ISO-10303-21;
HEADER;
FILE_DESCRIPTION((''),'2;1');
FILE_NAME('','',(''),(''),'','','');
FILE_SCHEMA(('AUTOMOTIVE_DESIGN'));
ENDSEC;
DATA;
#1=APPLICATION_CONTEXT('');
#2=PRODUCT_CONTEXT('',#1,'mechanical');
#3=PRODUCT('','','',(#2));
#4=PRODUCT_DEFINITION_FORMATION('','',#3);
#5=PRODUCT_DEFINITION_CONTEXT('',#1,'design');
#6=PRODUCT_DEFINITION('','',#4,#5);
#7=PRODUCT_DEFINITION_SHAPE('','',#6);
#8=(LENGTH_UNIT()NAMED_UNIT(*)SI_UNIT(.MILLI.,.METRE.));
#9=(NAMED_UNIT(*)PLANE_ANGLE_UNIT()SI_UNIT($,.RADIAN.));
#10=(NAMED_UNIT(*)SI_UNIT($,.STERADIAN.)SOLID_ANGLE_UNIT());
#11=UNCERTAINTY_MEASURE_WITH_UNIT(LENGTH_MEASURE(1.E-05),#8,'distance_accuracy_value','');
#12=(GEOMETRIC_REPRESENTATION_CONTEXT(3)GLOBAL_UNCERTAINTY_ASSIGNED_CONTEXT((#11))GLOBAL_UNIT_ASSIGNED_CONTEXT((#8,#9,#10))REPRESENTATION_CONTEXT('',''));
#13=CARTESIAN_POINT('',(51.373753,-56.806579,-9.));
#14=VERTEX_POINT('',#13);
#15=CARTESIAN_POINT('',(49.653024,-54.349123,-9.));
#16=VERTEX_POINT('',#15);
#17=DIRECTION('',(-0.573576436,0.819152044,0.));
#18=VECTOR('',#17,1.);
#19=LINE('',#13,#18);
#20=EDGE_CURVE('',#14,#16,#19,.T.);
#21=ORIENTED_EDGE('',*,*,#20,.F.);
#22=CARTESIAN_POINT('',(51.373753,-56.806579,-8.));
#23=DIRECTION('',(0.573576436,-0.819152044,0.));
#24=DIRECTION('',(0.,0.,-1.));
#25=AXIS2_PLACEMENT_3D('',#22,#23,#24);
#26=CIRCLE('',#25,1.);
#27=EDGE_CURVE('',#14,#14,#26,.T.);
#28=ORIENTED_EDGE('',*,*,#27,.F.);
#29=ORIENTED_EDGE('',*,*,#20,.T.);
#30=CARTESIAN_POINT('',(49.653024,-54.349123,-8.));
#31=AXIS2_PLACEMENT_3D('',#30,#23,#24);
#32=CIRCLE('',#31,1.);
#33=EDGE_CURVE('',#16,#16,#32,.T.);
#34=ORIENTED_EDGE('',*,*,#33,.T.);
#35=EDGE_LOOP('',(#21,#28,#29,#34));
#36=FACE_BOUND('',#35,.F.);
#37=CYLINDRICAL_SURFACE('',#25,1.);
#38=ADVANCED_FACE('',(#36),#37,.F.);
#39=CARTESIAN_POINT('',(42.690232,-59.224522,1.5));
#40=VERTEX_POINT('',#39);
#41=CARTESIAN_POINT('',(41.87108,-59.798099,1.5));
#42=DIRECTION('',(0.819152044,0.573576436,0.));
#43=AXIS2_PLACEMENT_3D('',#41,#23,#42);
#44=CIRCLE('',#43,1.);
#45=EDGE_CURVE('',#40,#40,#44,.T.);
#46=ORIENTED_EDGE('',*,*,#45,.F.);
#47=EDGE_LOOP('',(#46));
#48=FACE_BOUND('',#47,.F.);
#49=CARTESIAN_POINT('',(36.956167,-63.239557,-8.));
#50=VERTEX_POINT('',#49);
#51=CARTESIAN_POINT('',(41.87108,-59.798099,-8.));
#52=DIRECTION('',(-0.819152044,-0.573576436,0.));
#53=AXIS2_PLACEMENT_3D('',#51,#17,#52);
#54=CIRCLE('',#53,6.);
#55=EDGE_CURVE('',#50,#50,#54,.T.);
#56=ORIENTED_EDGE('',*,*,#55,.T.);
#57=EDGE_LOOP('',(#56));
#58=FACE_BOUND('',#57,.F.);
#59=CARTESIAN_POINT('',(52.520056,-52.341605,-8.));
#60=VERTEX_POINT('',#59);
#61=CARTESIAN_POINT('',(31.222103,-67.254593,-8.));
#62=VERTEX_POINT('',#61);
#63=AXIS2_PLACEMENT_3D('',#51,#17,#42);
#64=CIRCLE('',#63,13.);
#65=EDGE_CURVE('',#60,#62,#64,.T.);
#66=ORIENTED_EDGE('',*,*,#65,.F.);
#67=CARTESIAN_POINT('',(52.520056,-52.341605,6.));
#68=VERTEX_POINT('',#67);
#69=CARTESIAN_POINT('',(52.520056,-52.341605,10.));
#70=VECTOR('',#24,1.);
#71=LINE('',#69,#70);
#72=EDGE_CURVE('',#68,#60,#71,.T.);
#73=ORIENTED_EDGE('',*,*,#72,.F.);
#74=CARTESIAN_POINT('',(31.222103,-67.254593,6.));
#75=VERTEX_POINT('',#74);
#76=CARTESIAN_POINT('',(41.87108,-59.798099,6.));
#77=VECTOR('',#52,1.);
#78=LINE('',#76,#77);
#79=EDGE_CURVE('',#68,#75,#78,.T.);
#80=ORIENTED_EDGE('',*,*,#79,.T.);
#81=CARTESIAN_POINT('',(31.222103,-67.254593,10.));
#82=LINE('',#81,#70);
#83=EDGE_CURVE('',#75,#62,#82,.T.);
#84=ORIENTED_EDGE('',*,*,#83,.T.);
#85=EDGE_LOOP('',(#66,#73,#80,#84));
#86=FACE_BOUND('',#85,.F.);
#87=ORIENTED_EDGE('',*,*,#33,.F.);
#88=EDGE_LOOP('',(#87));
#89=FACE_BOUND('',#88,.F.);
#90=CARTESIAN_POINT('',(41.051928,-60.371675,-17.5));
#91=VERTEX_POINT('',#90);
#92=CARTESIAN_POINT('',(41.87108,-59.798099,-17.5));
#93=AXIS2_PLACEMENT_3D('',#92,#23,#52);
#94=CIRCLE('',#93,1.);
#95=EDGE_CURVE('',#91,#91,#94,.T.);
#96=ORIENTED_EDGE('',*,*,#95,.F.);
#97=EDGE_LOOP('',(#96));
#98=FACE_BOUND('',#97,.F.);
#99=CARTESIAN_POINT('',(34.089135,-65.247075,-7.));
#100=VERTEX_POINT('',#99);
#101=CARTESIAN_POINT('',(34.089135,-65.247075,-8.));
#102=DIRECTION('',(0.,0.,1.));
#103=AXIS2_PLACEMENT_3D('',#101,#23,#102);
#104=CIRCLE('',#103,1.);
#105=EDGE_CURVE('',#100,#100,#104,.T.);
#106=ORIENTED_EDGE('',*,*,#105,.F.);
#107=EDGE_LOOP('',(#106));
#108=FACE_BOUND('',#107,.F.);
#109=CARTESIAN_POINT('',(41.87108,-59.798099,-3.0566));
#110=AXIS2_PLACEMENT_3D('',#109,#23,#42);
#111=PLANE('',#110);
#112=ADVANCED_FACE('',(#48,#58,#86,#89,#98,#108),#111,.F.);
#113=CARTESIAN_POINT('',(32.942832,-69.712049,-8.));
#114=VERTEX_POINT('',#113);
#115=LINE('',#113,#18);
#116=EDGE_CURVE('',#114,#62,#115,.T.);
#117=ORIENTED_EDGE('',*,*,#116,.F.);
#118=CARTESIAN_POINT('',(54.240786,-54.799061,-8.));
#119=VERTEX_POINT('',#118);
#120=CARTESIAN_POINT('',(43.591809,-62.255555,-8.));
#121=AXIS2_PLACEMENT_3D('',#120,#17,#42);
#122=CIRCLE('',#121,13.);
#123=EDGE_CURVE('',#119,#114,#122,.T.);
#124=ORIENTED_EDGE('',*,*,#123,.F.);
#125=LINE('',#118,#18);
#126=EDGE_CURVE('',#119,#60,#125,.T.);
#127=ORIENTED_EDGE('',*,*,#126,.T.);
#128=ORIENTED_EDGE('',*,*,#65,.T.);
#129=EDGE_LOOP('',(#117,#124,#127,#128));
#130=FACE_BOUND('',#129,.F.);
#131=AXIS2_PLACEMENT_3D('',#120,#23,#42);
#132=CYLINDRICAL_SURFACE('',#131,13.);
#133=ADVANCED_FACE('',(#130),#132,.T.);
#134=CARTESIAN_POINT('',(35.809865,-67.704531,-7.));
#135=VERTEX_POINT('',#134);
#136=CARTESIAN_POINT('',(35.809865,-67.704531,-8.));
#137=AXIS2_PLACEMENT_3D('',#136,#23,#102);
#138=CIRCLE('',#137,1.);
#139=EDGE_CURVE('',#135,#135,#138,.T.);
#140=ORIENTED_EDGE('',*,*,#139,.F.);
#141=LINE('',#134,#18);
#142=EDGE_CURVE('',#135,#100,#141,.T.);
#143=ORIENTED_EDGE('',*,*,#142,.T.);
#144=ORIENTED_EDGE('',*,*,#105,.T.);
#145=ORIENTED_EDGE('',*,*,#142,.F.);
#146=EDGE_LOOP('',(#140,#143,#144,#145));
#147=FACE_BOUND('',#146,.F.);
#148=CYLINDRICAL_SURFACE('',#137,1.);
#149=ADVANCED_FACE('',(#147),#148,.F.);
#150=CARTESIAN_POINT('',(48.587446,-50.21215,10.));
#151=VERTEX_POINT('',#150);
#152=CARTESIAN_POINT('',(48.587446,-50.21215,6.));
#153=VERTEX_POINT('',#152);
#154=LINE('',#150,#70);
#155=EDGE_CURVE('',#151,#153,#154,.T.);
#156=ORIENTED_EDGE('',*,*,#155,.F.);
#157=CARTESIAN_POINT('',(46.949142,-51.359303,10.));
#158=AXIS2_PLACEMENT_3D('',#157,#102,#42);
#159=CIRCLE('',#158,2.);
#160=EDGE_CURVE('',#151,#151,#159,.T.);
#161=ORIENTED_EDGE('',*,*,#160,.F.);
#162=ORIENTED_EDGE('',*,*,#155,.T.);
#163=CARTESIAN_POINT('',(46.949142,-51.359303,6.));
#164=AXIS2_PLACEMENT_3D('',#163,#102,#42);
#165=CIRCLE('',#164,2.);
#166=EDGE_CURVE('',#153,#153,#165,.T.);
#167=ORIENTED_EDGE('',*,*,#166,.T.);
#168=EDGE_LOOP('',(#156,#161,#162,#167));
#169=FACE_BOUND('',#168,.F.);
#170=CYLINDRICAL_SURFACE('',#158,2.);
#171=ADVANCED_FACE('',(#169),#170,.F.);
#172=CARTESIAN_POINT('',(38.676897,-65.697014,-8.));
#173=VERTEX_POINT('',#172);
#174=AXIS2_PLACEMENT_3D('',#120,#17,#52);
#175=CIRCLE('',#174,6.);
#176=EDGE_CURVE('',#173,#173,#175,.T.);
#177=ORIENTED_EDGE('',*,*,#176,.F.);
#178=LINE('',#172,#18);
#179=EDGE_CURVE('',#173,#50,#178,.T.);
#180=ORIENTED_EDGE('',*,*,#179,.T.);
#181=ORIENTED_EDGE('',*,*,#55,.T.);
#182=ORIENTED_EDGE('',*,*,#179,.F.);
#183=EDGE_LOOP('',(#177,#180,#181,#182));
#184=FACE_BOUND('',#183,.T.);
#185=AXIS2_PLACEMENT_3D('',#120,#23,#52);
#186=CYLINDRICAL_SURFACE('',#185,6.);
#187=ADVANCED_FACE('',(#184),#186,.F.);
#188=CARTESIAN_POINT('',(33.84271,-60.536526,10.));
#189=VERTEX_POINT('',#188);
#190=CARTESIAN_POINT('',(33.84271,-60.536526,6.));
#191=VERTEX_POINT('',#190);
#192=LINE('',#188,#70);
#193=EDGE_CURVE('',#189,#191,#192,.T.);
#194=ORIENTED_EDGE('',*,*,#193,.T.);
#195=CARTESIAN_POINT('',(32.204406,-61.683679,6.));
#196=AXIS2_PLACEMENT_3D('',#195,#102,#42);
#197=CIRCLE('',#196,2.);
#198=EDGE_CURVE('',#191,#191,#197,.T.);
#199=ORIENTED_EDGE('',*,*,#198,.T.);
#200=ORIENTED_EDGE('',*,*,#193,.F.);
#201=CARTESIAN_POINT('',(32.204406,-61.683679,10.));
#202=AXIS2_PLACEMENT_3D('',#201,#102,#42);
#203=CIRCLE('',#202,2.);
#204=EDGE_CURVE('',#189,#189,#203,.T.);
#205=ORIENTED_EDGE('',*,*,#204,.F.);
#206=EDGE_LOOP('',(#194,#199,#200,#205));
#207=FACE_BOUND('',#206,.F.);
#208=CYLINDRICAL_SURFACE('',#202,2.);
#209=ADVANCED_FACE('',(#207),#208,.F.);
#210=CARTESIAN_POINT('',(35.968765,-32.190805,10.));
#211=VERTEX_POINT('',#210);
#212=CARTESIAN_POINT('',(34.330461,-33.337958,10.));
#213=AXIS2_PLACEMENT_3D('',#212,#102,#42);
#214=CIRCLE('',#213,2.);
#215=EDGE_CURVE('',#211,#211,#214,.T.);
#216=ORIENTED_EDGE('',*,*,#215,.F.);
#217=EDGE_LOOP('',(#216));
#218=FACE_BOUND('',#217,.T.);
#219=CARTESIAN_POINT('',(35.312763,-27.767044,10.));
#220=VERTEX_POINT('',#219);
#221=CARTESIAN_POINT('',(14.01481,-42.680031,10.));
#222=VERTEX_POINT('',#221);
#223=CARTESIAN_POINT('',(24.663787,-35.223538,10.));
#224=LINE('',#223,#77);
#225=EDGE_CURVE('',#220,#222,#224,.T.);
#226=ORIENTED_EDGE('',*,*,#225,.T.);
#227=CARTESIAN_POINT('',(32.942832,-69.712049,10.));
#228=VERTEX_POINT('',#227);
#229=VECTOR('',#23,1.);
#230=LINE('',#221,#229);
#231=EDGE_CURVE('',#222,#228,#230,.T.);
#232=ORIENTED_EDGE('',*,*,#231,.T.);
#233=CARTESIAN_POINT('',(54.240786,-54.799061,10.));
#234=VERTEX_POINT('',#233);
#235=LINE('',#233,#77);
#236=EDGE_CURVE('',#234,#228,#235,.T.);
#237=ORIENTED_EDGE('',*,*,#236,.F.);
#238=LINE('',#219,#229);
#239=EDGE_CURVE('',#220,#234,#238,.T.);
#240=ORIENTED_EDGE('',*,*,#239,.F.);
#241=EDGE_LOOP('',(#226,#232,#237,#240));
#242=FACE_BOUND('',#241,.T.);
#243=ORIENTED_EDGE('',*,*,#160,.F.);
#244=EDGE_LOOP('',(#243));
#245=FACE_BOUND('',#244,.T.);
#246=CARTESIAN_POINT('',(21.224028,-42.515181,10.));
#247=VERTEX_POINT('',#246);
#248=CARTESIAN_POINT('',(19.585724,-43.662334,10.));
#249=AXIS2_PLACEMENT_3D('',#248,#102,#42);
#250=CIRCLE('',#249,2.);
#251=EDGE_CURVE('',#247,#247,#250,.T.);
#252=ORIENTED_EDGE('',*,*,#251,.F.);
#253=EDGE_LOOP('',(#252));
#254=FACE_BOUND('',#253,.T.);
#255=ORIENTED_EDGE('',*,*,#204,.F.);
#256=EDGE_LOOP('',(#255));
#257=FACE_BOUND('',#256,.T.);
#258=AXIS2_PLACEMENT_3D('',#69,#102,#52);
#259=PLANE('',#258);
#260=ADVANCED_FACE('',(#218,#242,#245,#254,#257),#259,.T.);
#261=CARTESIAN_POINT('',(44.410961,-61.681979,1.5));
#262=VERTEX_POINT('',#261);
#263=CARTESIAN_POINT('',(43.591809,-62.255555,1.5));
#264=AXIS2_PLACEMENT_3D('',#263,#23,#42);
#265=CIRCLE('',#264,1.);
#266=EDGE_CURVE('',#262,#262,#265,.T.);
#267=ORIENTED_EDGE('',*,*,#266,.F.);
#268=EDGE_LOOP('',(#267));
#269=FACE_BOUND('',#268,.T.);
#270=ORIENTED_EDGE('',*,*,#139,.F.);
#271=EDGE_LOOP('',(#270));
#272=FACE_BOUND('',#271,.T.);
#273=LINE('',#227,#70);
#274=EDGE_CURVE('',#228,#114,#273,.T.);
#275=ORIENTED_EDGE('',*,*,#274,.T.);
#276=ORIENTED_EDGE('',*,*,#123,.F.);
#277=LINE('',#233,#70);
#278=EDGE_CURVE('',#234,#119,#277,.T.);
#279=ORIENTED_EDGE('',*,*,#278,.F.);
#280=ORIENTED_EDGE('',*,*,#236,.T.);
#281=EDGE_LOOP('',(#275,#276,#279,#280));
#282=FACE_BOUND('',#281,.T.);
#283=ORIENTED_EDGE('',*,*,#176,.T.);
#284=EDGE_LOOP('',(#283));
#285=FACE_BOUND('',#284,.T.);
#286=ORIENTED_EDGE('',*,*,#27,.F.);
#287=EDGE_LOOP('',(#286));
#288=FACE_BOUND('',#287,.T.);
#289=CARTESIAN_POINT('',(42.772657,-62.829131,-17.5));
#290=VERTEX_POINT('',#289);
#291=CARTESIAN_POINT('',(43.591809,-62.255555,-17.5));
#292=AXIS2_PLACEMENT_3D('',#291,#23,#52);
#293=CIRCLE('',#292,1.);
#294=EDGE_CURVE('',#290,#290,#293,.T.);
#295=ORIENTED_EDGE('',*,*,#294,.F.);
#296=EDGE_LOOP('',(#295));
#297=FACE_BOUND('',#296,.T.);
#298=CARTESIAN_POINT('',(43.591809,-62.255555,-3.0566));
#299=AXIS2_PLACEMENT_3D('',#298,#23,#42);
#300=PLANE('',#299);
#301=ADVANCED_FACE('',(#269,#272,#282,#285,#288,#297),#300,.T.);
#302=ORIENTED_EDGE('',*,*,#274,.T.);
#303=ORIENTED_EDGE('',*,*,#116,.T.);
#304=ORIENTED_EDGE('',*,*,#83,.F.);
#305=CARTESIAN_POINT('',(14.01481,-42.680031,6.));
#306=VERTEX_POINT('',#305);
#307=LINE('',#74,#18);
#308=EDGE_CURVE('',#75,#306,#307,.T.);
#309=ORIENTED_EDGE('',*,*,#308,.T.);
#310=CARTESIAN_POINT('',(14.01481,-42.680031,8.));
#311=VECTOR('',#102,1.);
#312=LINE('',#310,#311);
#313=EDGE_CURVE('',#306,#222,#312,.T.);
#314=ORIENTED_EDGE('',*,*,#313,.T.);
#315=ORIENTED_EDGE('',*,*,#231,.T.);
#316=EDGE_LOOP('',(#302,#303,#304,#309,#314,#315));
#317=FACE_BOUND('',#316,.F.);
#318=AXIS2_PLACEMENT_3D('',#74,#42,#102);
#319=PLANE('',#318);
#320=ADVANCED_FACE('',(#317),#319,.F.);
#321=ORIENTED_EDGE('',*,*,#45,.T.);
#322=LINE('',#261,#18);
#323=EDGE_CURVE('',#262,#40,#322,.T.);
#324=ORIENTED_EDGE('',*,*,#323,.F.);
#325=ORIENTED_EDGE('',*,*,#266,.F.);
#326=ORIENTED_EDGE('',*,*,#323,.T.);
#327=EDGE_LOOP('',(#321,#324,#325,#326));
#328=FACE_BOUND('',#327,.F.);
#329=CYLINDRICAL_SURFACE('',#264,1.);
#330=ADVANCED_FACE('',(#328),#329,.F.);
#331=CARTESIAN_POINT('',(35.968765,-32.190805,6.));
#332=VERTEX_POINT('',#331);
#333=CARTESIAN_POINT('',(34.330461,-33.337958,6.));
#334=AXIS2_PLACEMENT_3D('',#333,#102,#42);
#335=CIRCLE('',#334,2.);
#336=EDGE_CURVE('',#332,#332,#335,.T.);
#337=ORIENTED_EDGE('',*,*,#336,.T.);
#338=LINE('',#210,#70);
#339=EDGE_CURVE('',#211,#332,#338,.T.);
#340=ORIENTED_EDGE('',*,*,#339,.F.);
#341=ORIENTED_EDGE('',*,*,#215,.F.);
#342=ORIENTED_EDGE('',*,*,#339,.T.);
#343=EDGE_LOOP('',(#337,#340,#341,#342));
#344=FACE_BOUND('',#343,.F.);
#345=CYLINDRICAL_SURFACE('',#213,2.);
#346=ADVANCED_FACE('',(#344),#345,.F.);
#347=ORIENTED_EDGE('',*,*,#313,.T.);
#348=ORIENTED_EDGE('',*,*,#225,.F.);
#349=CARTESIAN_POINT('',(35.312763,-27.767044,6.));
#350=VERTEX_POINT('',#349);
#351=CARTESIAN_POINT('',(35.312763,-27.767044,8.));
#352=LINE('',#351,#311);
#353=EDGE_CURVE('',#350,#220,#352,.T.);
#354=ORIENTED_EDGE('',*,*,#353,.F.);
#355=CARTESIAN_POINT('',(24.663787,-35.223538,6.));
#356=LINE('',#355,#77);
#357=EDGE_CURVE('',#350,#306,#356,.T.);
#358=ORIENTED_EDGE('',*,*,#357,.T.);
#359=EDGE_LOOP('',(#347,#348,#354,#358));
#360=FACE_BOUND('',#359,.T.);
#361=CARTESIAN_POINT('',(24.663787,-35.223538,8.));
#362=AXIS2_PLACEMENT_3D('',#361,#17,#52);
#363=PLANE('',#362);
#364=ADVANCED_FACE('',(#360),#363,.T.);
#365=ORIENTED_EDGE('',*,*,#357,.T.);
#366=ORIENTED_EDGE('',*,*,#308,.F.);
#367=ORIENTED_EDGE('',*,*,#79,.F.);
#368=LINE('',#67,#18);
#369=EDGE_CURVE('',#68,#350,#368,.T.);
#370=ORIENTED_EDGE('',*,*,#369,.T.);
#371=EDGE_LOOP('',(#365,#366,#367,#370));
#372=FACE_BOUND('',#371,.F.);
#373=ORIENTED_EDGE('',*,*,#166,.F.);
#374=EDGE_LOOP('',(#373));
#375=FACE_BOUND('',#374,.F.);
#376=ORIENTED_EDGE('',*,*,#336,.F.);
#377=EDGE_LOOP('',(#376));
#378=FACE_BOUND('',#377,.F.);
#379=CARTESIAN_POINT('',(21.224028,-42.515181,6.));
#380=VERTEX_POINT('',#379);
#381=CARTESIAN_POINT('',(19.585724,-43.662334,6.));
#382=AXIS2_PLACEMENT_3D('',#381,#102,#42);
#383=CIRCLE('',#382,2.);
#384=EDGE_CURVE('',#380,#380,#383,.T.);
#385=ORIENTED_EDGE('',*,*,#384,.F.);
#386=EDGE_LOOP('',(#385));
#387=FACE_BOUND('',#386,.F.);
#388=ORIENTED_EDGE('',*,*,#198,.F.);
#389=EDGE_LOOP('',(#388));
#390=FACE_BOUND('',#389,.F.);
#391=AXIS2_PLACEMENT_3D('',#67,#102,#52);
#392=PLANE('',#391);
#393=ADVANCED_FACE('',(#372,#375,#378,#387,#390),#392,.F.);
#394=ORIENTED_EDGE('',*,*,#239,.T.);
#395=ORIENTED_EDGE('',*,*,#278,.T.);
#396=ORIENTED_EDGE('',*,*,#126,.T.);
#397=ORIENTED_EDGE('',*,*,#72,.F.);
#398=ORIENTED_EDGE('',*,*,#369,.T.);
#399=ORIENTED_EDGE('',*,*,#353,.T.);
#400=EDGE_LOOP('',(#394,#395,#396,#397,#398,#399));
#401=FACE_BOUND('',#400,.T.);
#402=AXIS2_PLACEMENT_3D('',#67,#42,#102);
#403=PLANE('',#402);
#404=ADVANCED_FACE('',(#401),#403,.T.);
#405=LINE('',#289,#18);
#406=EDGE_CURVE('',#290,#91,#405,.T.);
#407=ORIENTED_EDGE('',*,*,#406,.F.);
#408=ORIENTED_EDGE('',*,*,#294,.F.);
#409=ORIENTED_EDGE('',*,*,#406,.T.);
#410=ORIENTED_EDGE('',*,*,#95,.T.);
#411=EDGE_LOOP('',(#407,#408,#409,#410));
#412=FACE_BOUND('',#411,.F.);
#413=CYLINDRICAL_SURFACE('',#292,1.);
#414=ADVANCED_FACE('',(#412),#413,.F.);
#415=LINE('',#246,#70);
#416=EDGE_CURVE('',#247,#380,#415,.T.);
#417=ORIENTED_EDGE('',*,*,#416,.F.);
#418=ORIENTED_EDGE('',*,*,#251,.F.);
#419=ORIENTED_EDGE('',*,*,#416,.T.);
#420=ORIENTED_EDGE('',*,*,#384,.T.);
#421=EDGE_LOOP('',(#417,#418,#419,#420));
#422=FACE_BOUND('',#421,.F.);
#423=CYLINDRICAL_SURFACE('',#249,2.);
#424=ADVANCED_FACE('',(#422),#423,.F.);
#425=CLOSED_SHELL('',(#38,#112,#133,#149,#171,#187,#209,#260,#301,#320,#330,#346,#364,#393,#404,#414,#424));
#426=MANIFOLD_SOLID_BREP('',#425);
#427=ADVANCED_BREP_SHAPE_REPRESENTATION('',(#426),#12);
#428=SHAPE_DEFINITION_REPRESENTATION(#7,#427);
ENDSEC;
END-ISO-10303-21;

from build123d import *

# Parameters (mm, degrees)
SKETCH092_R             = 6
PAD066_DEPTH            = 3
SKETCH093_W             = 26
SKETCH093_H             = 4
PAD067_DEPTH            = 30
SKETCH094_R             = 2
POCKET034_DEPTH         = 31.001
SKETCH095_R             = 1
POCKET035_DEPTH         = 137.42322
POLARPATTERN014_COUNT   = 4
BODY040_PLACEMENT_ANGLE = 215


with BuildPart() as part:
    # Sketch092 → Pad066 (new body)
    with BuildSketch(Plane.XZ):
        with BuildLine():
            Line((-13, 18), (13, 18))
            Line((13, 18), (13, 0))
            ThreePointArc((-13, 0), (0, -13), (13, 0))
            Line((-13, 18), (-13, 0))
        make_face()
        Circle(SKETCH092_R, mode=Mode.SUBTRACT)
    extrude(amount=PAD066_DEPTH)

    # Sketch093 (on Face7 of Pad066) → Pad067 (join)
    with BuildSketch(Plane.XZ.offset(3)):
        with Locations((0, 16)):
            Rectangle(SKETCH093_W, SKETCH093_H)
    extrude(amount=PAD067_DEPTH)

    # Sketch094 (on Face5 of Pad067) → Pocket034 (cut, through all)
    with BuildSketch(Plane(origin=(0, 0, 18), x_dir=(-1, 0, 0), z_dir=(0, 0, 1))):
        with Locations((-9, 7)):
            Circle(SKETCH094_R)
        with Locations((9, 7)):
            Circle(SKETCH094_R)
        with Locations((-9, 29)):
            Circle(SKETCH094_R)
        with Locations((9, 29)):
            Circle(SKETCH094_R)
    extrude(amount=-POCKET034_DEPTH, mode=Mode.SUBTRACT)

    # Sketch095 (on Face4 of Pocket034) → Pocket035 (cut, through all)
    with BuildSketch(Plane(origin=(0, 0, 0), x_dir=(1, 0, 0), z_dir=(0, 1, 0))):
        with Locations((0, 9.5)):
            Circle(SKETCH095_R)
    pocket035 = extrude(amount=-POCKET035_DEPTH, mode=Mode.SUBTRACT)

    # PolarPattern014: Pocket035 ×4 about axis
    polarpattern014_axis = Axis((0, 0, 0), (0, 1, 0))
    for i in range(1, POLARPATTERN014_COUNT):
        add(pocket035.rotate(polarpattern014_axis, i * 360 / POLARPATTERN014_COUNT), mode=Mode.SUBTRACT)


with BuildPart() as part_1:
    # Body040 placement: moved
    add(part.part.moved(Location((43.591809, -62.255555, -8))).rotate(Axis((43.591809, -62.255555, -8), (0, 0, 1)), BODY040_PLACEMENT_ANGLE))


solid = part_1.part
